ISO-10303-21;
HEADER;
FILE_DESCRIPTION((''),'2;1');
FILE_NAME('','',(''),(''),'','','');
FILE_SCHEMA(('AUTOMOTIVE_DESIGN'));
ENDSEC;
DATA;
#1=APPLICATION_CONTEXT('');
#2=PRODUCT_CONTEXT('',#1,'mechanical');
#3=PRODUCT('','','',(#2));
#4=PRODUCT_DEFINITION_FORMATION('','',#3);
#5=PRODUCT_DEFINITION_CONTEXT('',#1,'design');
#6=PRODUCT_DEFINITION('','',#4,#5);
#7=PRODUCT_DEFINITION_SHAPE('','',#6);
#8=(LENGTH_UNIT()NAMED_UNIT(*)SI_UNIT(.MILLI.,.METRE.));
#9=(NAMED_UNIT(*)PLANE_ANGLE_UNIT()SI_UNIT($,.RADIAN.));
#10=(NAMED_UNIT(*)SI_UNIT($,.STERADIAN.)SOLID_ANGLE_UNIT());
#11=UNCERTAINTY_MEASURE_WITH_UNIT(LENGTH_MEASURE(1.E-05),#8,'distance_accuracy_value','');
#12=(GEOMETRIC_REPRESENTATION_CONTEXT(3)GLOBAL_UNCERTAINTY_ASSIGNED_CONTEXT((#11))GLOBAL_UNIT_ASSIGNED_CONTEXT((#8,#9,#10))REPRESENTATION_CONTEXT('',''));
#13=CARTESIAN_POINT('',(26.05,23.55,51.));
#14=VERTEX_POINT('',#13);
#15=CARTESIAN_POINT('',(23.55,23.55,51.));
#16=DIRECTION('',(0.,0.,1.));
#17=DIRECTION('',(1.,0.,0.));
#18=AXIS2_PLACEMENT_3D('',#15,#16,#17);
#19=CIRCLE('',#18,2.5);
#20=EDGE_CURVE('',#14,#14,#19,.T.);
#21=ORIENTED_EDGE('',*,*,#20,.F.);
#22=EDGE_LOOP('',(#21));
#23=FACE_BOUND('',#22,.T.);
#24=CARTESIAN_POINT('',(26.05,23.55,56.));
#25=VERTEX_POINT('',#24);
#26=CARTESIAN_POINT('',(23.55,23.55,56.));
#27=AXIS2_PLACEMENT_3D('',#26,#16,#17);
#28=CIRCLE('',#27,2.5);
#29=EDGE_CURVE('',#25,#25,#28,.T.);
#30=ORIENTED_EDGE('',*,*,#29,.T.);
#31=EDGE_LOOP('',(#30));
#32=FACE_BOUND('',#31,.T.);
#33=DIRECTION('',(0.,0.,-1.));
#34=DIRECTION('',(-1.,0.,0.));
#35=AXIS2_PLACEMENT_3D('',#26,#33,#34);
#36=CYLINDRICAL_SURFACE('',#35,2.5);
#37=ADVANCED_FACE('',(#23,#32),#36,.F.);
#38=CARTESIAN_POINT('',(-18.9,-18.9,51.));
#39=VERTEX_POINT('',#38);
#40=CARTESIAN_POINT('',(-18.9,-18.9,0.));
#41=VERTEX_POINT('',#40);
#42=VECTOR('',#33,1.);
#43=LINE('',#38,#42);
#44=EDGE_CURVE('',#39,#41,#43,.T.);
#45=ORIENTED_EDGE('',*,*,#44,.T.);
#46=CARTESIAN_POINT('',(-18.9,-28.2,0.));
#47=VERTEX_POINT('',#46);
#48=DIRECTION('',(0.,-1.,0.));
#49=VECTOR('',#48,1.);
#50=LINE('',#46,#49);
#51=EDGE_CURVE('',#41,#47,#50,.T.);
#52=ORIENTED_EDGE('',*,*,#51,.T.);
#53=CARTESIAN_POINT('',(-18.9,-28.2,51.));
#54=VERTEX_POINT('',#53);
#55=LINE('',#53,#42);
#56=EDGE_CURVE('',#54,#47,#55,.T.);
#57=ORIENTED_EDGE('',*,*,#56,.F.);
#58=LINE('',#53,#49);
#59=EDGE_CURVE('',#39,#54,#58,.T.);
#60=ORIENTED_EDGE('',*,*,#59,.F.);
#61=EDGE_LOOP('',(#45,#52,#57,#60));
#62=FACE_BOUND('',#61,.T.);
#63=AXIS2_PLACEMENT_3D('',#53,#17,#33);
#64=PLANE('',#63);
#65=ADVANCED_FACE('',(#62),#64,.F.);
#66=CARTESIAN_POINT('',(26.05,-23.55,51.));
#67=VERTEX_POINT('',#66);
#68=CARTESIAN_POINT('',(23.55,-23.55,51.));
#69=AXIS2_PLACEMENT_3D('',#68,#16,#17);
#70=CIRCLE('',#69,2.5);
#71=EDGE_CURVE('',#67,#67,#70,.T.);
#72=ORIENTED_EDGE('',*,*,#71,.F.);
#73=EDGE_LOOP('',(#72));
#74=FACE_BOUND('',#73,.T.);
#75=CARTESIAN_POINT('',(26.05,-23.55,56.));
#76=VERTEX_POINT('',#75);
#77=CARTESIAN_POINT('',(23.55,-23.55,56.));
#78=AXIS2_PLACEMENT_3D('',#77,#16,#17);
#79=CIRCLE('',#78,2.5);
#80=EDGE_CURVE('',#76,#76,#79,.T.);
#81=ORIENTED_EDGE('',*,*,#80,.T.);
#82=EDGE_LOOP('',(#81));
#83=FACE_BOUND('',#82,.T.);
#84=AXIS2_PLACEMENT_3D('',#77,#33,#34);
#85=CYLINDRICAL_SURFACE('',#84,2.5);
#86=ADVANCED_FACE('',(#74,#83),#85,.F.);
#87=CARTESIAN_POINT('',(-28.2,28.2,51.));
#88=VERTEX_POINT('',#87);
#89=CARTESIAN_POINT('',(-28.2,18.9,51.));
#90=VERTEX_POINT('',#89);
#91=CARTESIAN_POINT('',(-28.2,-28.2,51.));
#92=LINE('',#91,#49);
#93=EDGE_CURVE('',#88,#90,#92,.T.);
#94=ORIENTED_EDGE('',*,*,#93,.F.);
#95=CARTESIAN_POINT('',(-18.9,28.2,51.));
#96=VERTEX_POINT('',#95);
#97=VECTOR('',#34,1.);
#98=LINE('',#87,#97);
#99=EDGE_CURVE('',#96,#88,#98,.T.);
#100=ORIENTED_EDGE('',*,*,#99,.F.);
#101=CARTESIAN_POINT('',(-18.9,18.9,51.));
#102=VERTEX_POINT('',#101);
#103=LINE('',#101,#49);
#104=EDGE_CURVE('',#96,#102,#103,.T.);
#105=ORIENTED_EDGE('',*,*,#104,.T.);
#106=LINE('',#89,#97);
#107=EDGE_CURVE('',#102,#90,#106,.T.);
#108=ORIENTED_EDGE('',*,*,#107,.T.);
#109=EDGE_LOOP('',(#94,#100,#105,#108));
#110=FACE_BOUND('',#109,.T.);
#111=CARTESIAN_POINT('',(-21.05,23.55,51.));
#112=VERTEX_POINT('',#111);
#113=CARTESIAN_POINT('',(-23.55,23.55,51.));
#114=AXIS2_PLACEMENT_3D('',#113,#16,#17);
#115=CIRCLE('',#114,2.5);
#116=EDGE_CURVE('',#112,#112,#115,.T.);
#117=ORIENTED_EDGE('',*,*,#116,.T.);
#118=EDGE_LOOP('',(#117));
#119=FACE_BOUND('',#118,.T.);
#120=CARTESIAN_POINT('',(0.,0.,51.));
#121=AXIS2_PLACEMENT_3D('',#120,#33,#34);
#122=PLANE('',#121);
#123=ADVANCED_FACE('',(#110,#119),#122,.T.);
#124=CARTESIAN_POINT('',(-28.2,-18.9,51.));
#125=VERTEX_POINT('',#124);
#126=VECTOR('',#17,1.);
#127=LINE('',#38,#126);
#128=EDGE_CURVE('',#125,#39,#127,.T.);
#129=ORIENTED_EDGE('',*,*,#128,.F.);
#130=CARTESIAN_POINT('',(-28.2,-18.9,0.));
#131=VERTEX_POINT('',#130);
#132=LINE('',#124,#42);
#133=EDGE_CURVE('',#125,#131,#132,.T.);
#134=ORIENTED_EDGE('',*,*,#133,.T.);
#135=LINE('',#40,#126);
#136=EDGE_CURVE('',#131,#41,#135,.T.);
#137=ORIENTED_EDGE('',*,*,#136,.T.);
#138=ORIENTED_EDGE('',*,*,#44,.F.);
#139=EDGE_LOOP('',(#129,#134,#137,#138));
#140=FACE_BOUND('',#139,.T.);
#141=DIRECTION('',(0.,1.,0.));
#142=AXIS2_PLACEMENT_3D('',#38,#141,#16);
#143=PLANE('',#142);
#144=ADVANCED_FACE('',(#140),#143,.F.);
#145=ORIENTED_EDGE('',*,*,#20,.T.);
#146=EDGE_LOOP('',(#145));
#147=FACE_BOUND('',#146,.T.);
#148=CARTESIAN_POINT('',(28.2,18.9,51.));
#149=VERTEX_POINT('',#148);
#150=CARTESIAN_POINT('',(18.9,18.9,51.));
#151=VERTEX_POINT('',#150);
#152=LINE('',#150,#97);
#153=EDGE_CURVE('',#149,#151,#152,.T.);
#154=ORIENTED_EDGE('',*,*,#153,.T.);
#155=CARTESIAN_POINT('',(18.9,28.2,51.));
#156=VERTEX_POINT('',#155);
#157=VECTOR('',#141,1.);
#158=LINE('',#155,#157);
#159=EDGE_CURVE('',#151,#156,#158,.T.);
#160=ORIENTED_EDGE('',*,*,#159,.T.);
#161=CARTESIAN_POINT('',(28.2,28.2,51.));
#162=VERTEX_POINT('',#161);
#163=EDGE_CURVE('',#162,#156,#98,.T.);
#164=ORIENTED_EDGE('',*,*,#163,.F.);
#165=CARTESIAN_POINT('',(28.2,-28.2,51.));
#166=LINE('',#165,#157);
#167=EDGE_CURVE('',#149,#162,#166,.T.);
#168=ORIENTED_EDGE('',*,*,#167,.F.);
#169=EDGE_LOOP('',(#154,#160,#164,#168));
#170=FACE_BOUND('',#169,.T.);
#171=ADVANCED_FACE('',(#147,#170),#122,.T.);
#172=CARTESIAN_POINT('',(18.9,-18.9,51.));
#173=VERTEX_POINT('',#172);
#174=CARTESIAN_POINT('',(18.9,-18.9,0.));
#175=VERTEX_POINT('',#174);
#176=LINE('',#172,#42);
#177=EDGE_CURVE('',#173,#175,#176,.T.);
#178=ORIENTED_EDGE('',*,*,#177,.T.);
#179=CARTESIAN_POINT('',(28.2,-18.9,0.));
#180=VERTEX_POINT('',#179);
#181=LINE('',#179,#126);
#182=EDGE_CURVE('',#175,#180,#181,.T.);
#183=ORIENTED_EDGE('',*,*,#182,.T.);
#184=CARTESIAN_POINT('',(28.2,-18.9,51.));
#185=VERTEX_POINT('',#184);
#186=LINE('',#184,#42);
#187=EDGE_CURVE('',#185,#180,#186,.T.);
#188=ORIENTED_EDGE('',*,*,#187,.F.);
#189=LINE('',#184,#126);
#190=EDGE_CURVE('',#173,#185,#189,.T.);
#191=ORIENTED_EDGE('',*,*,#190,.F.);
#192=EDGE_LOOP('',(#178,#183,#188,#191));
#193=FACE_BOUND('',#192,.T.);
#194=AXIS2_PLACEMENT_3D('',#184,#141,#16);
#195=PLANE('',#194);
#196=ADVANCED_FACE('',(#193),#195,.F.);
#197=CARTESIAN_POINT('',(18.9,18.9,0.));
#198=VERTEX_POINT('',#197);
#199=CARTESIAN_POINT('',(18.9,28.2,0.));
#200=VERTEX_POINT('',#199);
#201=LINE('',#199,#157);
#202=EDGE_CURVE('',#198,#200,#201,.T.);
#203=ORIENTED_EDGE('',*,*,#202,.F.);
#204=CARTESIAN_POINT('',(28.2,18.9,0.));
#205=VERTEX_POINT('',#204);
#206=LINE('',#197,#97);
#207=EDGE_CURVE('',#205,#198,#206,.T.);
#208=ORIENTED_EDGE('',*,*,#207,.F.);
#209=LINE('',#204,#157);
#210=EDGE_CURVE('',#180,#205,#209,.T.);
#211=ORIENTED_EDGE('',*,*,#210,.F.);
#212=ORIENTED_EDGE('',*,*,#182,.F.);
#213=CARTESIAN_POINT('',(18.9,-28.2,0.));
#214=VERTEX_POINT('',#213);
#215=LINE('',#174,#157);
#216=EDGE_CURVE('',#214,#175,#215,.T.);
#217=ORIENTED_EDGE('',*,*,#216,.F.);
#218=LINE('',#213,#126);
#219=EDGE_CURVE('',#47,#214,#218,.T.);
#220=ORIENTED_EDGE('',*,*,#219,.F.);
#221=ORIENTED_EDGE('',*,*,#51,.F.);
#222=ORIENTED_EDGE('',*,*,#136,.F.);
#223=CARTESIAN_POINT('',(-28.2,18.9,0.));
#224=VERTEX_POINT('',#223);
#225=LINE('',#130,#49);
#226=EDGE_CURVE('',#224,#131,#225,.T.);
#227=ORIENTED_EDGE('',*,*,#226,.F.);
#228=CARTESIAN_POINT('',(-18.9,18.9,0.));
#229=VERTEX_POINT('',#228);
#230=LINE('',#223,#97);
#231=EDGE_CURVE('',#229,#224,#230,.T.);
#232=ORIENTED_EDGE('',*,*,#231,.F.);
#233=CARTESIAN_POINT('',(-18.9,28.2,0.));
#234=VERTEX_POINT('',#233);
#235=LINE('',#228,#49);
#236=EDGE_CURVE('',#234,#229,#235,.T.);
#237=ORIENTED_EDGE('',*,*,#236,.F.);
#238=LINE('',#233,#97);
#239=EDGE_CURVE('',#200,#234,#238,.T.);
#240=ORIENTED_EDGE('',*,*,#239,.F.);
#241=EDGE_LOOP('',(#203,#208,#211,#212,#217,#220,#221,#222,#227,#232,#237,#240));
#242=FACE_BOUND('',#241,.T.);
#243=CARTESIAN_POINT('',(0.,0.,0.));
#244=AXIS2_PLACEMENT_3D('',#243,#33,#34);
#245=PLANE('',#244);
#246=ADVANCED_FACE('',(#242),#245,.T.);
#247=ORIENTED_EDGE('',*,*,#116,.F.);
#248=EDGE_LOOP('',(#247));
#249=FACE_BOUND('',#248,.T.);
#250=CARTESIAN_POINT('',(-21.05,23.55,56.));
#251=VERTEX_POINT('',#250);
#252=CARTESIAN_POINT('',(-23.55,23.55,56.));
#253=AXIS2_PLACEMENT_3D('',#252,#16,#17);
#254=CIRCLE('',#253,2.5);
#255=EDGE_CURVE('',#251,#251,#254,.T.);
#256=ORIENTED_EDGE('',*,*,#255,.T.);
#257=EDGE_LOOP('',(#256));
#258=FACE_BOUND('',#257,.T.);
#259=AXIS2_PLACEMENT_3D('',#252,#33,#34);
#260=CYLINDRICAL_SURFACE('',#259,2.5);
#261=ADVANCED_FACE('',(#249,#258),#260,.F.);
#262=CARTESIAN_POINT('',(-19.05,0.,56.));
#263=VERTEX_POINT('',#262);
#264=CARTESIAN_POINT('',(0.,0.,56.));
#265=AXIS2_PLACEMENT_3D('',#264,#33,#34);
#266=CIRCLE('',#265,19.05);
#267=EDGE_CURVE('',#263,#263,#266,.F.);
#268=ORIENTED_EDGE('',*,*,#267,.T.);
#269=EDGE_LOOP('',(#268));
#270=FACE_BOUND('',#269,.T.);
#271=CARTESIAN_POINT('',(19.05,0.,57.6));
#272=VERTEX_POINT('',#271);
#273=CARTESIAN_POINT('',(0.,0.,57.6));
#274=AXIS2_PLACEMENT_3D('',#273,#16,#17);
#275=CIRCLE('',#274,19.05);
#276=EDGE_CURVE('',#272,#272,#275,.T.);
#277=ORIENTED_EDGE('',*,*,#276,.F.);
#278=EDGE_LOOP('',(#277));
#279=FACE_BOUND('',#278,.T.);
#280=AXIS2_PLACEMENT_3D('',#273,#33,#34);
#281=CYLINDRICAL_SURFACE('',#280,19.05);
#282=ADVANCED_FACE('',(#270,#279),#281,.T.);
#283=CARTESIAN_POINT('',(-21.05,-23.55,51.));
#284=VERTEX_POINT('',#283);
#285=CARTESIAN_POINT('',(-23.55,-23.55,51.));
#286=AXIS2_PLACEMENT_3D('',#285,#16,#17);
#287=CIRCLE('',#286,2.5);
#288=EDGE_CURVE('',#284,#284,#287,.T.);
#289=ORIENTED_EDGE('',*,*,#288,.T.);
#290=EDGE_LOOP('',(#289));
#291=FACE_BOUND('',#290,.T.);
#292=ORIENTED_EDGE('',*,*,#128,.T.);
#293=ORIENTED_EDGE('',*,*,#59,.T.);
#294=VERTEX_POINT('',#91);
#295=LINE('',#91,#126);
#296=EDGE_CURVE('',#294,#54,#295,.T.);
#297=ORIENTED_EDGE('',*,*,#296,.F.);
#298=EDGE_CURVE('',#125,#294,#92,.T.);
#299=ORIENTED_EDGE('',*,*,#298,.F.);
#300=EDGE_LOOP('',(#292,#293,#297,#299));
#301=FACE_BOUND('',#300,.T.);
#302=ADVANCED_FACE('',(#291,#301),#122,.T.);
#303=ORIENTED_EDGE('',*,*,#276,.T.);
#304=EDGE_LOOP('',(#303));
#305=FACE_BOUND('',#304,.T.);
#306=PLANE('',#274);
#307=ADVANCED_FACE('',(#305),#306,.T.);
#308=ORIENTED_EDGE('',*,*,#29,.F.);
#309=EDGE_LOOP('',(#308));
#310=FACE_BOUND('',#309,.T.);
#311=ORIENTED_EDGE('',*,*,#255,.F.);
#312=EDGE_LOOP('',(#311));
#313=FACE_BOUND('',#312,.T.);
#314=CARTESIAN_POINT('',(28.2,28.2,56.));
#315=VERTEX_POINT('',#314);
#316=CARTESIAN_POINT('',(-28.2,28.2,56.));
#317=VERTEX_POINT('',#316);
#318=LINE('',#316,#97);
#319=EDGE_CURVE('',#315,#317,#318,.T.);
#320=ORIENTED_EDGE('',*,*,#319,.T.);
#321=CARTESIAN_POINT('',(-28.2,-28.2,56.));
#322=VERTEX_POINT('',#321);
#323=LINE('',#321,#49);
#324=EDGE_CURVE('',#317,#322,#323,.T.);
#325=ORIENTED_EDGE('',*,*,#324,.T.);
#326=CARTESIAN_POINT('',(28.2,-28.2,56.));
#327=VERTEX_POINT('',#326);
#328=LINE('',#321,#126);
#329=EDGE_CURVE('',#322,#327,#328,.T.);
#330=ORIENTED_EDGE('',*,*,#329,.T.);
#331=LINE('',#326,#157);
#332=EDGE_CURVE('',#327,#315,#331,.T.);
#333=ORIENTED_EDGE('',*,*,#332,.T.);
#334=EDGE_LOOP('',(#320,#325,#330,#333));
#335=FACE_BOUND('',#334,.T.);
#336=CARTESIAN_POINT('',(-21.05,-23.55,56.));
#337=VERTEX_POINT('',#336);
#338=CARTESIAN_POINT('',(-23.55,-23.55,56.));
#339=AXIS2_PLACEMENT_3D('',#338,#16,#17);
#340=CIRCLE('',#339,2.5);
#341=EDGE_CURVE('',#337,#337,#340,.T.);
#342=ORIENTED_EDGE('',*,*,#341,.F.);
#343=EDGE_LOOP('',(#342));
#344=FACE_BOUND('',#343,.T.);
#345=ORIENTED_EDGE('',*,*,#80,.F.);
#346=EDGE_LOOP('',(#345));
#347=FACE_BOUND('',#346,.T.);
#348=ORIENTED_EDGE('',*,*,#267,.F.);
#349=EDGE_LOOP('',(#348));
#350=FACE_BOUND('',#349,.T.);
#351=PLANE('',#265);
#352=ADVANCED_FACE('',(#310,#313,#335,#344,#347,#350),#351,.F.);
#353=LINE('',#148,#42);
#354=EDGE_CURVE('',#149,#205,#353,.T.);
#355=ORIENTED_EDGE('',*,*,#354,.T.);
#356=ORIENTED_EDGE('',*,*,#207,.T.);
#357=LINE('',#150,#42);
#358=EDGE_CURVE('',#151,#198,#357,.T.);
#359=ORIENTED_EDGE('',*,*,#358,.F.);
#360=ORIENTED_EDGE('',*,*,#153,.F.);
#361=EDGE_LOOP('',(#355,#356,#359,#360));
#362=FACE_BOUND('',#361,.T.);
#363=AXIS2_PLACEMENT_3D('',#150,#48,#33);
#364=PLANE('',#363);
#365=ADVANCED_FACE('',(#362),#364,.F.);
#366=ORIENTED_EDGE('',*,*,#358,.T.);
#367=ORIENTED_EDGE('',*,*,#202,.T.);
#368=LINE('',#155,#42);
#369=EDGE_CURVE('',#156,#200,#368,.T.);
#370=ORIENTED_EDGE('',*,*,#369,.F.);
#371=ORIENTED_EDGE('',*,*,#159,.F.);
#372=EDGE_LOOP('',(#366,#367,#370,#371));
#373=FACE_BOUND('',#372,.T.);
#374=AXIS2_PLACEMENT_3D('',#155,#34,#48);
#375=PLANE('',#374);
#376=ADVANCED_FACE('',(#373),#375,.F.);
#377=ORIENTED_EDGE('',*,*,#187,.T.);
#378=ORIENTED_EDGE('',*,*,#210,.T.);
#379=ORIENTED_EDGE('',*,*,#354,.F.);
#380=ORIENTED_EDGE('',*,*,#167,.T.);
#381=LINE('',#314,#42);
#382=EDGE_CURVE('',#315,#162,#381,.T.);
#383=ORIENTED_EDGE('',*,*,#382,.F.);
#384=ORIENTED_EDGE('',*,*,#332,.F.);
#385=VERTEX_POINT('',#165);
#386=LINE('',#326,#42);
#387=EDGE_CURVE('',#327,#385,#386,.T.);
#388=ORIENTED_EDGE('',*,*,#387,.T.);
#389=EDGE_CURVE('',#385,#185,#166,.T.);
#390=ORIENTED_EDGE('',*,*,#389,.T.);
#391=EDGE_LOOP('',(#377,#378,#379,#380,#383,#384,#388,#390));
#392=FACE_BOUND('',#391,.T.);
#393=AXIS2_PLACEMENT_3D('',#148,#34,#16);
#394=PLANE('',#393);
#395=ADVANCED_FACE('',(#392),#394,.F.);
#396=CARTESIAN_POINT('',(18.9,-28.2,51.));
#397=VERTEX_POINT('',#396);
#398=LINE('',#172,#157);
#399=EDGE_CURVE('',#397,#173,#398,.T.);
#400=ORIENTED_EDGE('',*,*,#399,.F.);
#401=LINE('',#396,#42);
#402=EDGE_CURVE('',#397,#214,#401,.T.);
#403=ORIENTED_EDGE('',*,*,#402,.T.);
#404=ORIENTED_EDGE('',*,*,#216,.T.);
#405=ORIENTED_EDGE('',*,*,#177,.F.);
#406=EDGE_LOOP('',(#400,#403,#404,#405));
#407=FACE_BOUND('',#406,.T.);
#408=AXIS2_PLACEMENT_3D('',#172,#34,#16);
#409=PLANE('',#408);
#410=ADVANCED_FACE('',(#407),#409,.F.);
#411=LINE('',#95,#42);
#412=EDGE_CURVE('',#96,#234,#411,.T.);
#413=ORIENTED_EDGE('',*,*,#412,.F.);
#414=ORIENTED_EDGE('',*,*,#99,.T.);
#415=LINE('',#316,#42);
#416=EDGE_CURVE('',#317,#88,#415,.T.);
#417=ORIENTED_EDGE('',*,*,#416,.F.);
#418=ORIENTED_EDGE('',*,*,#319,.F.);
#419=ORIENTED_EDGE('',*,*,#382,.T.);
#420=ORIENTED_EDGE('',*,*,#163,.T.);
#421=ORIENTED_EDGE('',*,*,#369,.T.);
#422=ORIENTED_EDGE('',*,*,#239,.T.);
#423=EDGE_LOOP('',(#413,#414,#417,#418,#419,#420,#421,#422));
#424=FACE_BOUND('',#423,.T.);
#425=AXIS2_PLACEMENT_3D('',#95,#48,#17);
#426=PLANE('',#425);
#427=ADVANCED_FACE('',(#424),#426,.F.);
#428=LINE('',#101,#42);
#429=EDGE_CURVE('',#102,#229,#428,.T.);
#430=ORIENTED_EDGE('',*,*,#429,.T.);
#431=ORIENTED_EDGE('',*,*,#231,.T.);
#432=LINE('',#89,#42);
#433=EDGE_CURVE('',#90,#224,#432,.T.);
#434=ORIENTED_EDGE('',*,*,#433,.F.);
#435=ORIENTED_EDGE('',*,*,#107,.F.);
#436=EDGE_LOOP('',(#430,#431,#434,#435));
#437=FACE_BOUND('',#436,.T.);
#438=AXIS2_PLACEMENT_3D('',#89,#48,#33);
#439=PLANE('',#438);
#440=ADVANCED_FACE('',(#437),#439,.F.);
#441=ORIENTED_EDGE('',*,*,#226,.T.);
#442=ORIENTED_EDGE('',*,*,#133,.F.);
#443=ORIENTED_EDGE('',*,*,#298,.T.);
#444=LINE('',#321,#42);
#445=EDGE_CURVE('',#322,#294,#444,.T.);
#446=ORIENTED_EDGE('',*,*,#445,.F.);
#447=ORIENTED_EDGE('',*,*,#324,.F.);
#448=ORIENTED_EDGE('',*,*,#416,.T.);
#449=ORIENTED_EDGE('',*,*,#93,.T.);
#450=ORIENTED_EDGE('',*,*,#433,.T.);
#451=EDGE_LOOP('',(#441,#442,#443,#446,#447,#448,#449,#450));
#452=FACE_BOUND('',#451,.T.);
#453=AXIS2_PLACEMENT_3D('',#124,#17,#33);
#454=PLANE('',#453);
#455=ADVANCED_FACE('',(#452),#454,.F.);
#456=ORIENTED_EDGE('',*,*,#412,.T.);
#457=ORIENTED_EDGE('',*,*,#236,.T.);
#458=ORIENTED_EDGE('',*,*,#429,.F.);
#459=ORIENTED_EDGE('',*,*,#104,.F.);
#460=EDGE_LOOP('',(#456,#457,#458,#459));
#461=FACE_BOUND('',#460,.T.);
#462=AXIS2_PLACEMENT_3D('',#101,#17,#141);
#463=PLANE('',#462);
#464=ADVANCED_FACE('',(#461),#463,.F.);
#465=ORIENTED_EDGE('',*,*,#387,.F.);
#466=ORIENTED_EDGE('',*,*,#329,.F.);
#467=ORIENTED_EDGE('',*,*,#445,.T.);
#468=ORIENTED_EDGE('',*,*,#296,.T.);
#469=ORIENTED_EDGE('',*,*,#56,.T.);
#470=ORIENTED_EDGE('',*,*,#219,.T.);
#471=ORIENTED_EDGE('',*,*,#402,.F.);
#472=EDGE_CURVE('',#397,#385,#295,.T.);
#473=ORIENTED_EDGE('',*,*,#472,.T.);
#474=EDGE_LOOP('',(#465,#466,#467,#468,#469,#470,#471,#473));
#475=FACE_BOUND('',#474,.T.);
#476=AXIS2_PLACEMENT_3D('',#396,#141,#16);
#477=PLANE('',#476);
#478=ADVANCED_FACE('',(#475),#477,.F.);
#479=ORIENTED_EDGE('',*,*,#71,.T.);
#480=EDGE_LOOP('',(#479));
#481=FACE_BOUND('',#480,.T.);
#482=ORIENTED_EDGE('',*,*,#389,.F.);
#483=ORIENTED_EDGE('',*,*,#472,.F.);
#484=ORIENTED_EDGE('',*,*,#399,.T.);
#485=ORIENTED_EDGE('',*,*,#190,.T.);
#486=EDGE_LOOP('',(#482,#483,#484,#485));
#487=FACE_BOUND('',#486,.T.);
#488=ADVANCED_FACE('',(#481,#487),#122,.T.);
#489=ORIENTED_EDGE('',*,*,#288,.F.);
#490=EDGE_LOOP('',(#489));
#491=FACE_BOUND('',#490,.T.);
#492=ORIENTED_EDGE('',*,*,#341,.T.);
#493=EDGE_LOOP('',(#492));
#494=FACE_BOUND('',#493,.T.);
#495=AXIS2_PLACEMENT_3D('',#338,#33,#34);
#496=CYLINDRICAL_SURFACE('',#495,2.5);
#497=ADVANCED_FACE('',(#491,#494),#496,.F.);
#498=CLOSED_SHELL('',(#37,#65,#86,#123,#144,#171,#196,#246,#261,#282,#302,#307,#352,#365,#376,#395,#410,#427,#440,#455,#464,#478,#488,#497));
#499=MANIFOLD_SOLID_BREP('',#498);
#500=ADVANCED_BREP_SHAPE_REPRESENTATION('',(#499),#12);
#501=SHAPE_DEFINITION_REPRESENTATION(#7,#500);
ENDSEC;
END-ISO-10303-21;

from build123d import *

# Parameters (mm, degrees)
BOSS_EXTRUDE2_DEPTH = 51
SKETCH3_W           = 56.4
SKETCH3_H           = 56.4
SKETCH3_R           = 2.5
BOSS_EXTRUDE3_DEPTH = 5
SKETCH4_R           = 19.05
BOSS_EXTRUDE4_DEPTH = 1.6


with BuildPart() as part:
    # Sketch2 → Boss-Extrude2 (new body)
    with BuildSketch(Plane.XY):
        Polygon((-18.9, 28.2), (18.9, 28.2), (18.9, 18.9), (28.2, 18.9), (28.2, -18.9), (18.9, -18.9), (18.9, -28.2), (-18.9, -28.2), (-18.9, -18.9), (-28.2, -18.9), (-28.2, 18.9), (-18.9, 18.9), align=None)
    extrude(amount=BOSS_EXTRUDE2_DEPTH)

    # Sketch3 → Boss-Extrude3 (add)
    with BuildSketch(Plane.XY.offset(51)):
        Rectangle(SKETCH3_W, SKETCH3_H)
        with Locations((-23.55, 23.55)):
            Circle(SKETCH3_R, mode=Mode.SUBTRACT)
        with Locations((23.55, 23.55)):
            Circle(SKETCH3_R, mode=Mode.SUBTRACT)
        with Locations((23.55, -23.55)):
            Circle(SKETCH3_R, mode=Mode.SUBTRACT)
        with Locations((-23.55, -23.55)):
            Circle(SKETCH3_R, mode=Mode.SUBTRACT)
    extrude(amount=BOSS_EXTRUDE3_DEPTH)

    # Sketch4 → Boss-Extrude4 (add)
    with BuildSketch(Plane.XY.offset(56)):
        with Locations(Location((0, 0, 0), (0, 0, 180))):
            Circle(SKETCH4_R)
    extrude(amount=BOSS_EXTRUDE4_DEPTH)


solid = part.part
